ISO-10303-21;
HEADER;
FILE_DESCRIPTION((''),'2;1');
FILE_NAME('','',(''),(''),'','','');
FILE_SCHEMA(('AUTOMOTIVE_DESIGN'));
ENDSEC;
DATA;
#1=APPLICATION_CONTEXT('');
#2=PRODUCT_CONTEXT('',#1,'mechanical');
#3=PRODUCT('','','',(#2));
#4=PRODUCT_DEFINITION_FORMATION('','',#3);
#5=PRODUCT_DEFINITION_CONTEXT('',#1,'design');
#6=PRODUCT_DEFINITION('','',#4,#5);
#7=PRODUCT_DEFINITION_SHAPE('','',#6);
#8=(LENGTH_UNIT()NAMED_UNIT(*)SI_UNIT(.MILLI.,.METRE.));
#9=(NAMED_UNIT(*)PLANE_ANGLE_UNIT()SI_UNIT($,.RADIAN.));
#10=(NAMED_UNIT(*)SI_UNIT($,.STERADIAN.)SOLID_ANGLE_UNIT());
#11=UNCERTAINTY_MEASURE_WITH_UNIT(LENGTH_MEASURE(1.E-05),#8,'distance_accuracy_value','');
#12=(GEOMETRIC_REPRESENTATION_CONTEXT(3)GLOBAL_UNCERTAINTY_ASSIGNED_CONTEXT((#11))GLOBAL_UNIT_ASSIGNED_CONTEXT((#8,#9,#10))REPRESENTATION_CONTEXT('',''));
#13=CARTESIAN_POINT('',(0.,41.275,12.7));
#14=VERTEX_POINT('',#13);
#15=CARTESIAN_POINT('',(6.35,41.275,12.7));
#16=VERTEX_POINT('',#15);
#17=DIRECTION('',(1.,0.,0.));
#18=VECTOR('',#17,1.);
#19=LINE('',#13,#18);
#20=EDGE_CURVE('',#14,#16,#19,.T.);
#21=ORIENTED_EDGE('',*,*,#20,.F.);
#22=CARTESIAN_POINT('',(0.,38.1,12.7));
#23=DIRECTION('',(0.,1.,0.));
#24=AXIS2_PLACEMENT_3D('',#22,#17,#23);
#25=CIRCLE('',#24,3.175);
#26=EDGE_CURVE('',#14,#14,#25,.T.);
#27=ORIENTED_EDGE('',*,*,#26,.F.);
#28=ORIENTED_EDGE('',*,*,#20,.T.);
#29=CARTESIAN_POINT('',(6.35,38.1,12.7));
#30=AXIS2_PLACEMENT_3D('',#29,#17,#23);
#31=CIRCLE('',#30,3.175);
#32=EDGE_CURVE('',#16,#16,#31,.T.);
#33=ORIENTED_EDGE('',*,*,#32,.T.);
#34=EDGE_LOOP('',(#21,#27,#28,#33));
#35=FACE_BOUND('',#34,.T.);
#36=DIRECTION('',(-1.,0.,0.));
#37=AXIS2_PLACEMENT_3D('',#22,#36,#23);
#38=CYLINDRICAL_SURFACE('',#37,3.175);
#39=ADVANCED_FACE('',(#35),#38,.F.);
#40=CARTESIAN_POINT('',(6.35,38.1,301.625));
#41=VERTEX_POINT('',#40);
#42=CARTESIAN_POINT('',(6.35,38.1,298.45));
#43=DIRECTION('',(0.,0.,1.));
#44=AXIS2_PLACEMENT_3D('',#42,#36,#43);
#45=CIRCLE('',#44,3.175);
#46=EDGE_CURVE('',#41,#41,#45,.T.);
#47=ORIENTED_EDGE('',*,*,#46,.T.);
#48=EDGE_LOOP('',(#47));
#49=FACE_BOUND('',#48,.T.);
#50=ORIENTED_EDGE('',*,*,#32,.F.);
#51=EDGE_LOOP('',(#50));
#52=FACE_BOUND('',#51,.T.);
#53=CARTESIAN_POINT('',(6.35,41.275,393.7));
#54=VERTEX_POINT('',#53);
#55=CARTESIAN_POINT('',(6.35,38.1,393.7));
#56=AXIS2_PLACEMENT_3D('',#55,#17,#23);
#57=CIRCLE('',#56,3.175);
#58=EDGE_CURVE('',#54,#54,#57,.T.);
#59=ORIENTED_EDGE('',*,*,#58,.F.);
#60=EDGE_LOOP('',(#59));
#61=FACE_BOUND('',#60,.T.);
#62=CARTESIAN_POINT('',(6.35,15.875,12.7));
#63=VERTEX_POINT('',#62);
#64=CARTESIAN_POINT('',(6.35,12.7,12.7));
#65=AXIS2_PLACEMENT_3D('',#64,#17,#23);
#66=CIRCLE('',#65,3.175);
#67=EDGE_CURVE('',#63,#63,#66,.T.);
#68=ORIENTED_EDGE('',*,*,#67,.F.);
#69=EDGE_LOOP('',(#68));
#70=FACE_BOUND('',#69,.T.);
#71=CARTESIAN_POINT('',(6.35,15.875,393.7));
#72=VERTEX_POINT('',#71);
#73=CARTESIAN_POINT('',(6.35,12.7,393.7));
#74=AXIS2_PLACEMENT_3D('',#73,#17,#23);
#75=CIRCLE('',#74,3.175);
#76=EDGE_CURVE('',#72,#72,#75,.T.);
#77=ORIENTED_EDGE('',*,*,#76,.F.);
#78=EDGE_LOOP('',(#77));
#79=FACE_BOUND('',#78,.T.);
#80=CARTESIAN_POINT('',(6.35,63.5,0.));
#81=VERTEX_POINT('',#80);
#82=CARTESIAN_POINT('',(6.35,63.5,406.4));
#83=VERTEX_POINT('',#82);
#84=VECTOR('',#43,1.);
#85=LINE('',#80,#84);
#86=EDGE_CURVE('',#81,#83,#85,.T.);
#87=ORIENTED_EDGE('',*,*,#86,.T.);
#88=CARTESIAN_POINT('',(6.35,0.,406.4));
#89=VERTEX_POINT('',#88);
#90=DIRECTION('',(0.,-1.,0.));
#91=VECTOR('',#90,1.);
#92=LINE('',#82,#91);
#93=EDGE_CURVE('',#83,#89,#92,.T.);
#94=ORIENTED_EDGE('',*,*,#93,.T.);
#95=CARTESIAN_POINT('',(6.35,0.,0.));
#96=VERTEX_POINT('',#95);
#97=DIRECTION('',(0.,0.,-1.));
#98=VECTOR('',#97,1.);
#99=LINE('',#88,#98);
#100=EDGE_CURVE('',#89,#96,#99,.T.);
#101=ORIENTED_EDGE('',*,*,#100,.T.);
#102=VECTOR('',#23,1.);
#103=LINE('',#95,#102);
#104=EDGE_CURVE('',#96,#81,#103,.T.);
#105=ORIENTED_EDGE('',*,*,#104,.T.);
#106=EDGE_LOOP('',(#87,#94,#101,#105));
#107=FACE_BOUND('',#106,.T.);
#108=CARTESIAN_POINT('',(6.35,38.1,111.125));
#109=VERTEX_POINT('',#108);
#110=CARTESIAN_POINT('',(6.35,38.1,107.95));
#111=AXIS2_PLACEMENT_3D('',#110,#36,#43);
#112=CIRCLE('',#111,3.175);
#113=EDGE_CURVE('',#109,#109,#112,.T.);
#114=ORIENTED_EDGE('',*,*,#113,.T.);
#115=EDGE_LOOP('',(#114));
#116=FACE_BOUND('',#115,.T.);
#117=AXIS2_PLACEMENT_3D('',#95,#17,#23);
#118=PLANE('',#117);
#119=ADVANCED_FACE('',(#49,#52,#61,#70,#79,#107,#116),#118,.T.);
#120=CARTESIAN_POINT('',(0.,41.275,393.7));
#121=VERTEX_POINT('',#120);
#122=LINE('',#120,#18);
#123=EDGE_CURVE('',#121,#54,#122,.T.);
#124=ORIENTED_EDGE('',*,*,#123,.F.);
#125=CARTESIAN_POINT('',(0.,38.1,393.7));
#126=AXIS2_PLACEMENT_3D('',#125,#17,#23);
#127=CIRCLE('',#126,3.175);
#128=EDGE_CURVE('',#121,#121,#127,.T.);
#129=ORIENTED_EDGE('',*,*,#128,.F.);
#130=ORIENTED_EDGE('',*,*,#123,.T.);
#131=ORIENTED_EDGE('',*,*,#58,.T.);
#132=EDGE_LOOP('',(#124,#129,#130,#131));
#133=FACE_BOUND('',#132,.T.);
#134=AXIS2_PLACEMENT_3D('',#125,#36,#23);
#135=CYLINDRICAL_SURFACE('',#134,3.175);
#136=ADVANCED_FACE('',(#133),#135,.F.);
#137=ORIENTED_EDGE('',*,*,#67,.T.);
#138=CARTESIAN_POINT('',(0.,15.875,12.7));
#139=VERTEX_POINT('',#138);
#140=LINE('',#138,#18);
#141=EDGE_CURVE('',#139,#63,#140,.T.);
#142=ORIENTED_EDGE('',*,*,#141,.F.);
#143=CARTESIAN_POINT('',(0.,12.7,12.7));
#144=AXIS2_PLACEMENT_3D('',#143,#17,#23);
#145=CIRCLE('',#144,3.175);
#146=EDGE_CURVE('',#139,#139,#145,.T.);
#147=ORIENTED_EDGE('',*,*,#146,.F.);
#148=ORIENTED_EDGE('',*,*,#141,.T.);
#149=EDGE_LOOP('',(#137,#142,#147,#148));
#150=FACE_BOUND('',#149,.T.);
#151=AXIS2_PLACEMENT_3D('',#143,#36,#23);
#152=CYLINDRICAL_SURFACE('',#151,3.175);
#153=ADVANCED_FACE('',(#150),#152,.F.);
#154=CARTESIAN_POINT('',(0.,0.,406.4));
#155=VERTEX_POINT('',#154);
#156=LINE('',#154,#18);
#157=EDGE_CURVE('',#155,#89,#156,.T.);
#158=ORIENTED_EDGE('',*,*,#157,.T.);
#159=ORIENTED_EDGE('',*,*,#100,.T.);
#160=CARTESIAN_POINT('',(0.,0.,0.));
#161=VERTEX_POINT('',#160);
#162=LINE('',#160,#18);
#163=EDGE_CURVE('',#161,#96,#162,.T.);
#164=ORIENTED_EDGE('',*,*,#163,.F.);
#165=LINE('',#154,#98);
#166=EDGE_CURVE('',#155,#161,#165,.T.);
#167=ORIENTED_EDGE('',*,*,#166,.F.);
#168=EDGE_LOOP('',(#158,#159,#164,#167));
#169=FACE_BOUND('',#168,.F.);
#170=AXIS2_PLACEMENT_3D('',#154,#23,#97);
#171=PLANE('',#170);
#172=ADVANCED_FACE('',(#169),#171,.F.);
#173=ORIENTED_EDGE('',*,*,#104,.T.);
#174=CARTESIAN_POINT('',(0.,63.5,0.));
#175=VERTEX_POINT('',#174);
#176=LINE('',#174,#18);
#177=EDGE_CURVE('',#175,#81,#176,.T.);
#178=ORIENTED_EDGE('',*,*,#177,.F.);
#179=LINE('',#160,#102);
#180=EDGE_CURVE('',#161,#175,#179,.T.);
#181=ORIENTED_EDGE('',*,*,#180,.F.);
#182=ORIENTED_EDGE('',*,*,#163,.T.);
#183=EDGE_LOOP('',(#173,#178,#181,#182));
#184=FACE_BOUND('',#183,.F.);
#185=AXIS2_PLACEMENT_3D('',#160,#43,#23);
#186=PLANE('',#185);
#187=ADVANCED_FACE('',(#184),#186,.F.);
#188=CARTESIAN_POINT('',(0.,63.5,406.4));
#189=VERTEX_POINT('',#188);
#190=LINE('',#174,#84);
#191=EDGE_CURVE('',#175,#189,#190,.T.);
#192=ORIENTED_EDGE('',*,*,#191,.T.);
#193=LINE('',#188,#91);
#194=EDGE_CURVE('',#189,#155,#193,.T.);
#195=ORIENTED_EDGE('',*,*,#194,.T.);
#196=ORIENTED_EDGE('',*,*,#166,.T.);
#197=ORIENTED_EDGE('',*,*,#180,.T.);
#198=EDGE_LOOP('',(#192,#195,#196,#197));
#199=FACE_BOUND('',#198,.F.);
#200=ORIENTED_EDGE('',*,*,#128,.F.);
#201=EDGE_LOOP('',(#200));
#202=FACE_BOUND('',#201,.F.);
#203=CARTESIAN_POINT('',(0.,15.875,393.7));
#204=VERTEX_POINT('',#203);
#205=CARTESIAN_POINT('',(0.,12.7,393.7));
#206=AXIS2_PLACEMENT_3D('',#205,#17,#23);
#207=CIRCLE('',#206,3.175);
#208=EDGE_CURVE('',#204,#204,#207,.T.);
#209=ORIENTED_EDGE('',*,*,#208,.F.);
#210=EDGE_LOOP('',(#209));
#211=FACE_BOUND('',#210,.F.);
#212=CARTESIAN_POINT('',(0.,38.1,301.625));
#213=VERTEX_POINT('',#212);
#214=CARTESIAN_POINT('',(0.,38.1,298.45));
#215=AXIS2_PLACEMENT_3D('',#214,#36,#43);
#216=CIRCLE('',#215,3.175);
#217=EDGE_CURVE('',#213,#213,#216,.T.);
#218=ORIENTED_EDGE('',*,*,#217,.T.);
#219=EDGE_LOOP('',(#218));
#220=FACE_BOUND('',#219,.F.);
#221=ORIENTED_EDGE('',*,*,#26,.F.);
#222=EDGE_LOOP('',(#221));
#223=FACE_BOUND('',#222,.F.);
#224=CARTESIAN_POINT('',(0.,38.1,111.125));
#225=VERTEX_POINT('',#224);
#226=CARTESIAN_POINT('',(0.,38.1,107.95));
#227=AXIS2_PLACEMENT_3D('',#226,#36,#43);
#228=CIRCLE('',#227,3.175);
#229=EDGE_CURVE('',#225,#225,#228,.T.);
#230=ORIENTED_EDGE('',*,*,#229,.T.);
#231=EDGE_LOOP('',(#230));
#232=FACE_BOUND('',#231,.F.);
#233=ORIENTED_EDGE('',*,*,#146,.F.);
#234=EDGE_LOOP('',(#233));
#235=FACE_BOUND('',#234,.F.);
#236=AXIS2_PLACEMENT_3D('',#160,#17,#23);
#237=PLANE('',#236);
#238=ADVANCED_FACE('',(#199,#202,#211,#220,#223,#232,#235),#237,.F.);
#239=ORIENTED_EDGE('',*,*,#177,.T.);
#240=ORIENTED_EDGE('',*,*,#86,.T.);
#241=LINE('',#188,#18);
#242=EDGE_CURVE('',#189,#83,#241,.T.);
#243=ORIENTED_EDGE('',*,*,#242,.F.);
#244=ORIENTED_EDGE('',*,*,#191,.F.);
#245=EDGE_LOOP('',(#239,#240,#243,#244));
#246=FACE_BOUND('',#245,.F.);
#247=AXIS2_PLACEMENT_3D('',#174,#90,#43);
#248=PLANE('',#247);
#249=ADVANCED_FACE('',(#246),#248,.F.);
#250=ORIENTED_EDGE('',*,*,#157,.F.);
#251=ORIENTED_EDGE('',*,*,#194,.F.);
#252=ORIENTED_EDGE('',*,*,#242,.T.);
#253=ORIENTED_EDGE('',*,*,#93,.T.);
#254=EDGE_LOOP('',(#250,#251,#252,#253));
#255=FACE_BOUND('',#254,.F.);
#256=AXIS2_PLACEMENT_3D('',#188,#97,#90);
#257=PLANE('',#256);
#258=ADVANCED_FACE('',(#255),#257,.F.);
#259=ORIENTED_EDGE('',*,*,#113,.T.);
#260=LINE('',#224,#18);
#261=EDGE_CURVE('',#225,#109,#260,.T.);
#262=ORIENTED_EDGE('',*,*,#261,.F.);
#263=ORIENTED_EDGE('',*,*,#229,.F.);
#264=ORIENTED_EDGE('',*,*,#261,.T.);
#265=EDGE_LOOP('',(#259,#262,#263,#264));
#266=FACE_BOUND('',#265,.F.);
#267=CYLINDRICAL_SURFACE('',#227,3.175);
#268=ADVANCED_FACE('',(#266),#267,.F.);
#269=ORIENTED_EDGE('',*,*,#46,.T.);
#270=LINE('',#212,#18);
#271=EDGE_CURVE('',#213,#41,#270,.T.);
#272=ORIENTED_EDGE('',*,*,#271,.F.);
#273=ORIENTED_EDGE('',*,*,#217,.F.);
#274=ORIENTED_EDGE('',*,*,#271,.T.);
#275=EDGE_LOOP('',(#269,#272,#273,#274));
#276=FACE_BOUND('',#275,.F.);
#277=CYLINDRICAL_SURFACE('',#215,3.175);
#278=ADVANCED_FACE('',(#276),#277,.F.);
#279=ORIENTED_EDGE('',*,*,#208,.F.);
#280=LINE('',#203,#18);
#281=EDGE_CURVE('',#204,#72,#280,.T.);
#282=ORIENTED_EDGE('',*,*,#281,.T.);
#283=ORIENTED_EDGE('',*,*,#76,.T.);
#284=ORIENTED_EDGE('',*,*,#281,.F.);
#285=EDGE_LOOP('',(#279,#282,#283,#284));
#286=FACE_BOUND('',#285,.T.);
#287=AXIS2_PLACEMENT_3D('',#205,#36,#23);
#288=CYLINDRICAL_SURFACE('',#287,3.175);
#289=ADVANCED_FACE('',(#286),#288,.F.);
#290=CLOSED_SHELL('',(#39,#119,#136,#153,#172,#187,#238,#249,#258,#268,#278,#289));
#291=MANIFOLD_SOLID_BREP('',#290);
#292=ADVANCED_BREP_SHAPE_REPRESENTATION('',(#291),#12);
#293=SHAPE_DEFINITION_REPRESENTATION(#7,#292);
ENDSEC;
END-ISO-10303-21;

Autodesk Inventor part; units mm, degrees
ref_plane "YZ Plane" through (0, 0, 0) normal (1, 0, 0) x (0, 1, 0)
ref_plane "XZ Plane" through (0, 0, 0) normal (0, 1, 0) x (-1, 0, 0)
ref_plane "XY Plane" through (0, 0, 0) normal (0, 0, 1) x (1, 0, 0)
sketch "Sketch1" plane through (0, 0, 0) normal (1, 0, 0) x (0, 1, 0)
  line L0 (0, 0) -> (63.5, 0)
  line L1 (63.5, 0) -> (63.5, 406.4)
  line L2 (63.5, 406.4) -> (0, 406.4)
  line L3 (0, 406.4) -> (0, 0)
  circle A0 centre (38.1, 393.7) radius 3.175
  circle A1 centre (12.7, 393.7) radius 3.175
  circle A2 centre (38.1, 12.7) radius 3.175
  circle A3 centre (12.7, 12.7) radius 3.175
  dimension "d0" = 63.5
  dimension "d1" = 406.4
  dimension "d2" = 6.35
  dimension "d3" = 6.35
  dimension "d4" = 6.35
  dimension "d5" = 6.35
  dimension "d6" = 12.7
  dimension "d7" = 12.7
  dimension "d8" = 12.7
  dimension "d9" = 25.4
  dimension "d10" = 25.4
  dimension "d11" = 12.7
  dimension "d12" = 12.7
  dimension "d13" = 25.4
extrude "Extrusion1" add sketch "Sketch1" along normal blind 6.35
sketch "Sketch2" plane through (0, 0, 0) normal (-1, 0, 0) x (0, 0, 1)
  circle A0 centre (107.95, 38.1) radius 3.175
  circle A1 centre (298.45, 38.1) radius 3.175
  line L0 (0, 63.5) -> (406.4, 63.5) projected
  line L1 (0, 0) -> (0, 63.5) projected
  line L2 (406.4, 63.5) -> (406.4, 0) projected
  dimension "d16" = 6.35
  dimension "d17" = 6.35
  dimension "d18" = 25.4
  dimension "d19" = 25.4
  dimension "d20" = 107.95
  dimension "d21" = 107.95
extrude "Extrusion2" cut sketch "Sketch2" against normal blind 6.35
properties part number "15102898-16-P-0403" material "LCP Plastic"
